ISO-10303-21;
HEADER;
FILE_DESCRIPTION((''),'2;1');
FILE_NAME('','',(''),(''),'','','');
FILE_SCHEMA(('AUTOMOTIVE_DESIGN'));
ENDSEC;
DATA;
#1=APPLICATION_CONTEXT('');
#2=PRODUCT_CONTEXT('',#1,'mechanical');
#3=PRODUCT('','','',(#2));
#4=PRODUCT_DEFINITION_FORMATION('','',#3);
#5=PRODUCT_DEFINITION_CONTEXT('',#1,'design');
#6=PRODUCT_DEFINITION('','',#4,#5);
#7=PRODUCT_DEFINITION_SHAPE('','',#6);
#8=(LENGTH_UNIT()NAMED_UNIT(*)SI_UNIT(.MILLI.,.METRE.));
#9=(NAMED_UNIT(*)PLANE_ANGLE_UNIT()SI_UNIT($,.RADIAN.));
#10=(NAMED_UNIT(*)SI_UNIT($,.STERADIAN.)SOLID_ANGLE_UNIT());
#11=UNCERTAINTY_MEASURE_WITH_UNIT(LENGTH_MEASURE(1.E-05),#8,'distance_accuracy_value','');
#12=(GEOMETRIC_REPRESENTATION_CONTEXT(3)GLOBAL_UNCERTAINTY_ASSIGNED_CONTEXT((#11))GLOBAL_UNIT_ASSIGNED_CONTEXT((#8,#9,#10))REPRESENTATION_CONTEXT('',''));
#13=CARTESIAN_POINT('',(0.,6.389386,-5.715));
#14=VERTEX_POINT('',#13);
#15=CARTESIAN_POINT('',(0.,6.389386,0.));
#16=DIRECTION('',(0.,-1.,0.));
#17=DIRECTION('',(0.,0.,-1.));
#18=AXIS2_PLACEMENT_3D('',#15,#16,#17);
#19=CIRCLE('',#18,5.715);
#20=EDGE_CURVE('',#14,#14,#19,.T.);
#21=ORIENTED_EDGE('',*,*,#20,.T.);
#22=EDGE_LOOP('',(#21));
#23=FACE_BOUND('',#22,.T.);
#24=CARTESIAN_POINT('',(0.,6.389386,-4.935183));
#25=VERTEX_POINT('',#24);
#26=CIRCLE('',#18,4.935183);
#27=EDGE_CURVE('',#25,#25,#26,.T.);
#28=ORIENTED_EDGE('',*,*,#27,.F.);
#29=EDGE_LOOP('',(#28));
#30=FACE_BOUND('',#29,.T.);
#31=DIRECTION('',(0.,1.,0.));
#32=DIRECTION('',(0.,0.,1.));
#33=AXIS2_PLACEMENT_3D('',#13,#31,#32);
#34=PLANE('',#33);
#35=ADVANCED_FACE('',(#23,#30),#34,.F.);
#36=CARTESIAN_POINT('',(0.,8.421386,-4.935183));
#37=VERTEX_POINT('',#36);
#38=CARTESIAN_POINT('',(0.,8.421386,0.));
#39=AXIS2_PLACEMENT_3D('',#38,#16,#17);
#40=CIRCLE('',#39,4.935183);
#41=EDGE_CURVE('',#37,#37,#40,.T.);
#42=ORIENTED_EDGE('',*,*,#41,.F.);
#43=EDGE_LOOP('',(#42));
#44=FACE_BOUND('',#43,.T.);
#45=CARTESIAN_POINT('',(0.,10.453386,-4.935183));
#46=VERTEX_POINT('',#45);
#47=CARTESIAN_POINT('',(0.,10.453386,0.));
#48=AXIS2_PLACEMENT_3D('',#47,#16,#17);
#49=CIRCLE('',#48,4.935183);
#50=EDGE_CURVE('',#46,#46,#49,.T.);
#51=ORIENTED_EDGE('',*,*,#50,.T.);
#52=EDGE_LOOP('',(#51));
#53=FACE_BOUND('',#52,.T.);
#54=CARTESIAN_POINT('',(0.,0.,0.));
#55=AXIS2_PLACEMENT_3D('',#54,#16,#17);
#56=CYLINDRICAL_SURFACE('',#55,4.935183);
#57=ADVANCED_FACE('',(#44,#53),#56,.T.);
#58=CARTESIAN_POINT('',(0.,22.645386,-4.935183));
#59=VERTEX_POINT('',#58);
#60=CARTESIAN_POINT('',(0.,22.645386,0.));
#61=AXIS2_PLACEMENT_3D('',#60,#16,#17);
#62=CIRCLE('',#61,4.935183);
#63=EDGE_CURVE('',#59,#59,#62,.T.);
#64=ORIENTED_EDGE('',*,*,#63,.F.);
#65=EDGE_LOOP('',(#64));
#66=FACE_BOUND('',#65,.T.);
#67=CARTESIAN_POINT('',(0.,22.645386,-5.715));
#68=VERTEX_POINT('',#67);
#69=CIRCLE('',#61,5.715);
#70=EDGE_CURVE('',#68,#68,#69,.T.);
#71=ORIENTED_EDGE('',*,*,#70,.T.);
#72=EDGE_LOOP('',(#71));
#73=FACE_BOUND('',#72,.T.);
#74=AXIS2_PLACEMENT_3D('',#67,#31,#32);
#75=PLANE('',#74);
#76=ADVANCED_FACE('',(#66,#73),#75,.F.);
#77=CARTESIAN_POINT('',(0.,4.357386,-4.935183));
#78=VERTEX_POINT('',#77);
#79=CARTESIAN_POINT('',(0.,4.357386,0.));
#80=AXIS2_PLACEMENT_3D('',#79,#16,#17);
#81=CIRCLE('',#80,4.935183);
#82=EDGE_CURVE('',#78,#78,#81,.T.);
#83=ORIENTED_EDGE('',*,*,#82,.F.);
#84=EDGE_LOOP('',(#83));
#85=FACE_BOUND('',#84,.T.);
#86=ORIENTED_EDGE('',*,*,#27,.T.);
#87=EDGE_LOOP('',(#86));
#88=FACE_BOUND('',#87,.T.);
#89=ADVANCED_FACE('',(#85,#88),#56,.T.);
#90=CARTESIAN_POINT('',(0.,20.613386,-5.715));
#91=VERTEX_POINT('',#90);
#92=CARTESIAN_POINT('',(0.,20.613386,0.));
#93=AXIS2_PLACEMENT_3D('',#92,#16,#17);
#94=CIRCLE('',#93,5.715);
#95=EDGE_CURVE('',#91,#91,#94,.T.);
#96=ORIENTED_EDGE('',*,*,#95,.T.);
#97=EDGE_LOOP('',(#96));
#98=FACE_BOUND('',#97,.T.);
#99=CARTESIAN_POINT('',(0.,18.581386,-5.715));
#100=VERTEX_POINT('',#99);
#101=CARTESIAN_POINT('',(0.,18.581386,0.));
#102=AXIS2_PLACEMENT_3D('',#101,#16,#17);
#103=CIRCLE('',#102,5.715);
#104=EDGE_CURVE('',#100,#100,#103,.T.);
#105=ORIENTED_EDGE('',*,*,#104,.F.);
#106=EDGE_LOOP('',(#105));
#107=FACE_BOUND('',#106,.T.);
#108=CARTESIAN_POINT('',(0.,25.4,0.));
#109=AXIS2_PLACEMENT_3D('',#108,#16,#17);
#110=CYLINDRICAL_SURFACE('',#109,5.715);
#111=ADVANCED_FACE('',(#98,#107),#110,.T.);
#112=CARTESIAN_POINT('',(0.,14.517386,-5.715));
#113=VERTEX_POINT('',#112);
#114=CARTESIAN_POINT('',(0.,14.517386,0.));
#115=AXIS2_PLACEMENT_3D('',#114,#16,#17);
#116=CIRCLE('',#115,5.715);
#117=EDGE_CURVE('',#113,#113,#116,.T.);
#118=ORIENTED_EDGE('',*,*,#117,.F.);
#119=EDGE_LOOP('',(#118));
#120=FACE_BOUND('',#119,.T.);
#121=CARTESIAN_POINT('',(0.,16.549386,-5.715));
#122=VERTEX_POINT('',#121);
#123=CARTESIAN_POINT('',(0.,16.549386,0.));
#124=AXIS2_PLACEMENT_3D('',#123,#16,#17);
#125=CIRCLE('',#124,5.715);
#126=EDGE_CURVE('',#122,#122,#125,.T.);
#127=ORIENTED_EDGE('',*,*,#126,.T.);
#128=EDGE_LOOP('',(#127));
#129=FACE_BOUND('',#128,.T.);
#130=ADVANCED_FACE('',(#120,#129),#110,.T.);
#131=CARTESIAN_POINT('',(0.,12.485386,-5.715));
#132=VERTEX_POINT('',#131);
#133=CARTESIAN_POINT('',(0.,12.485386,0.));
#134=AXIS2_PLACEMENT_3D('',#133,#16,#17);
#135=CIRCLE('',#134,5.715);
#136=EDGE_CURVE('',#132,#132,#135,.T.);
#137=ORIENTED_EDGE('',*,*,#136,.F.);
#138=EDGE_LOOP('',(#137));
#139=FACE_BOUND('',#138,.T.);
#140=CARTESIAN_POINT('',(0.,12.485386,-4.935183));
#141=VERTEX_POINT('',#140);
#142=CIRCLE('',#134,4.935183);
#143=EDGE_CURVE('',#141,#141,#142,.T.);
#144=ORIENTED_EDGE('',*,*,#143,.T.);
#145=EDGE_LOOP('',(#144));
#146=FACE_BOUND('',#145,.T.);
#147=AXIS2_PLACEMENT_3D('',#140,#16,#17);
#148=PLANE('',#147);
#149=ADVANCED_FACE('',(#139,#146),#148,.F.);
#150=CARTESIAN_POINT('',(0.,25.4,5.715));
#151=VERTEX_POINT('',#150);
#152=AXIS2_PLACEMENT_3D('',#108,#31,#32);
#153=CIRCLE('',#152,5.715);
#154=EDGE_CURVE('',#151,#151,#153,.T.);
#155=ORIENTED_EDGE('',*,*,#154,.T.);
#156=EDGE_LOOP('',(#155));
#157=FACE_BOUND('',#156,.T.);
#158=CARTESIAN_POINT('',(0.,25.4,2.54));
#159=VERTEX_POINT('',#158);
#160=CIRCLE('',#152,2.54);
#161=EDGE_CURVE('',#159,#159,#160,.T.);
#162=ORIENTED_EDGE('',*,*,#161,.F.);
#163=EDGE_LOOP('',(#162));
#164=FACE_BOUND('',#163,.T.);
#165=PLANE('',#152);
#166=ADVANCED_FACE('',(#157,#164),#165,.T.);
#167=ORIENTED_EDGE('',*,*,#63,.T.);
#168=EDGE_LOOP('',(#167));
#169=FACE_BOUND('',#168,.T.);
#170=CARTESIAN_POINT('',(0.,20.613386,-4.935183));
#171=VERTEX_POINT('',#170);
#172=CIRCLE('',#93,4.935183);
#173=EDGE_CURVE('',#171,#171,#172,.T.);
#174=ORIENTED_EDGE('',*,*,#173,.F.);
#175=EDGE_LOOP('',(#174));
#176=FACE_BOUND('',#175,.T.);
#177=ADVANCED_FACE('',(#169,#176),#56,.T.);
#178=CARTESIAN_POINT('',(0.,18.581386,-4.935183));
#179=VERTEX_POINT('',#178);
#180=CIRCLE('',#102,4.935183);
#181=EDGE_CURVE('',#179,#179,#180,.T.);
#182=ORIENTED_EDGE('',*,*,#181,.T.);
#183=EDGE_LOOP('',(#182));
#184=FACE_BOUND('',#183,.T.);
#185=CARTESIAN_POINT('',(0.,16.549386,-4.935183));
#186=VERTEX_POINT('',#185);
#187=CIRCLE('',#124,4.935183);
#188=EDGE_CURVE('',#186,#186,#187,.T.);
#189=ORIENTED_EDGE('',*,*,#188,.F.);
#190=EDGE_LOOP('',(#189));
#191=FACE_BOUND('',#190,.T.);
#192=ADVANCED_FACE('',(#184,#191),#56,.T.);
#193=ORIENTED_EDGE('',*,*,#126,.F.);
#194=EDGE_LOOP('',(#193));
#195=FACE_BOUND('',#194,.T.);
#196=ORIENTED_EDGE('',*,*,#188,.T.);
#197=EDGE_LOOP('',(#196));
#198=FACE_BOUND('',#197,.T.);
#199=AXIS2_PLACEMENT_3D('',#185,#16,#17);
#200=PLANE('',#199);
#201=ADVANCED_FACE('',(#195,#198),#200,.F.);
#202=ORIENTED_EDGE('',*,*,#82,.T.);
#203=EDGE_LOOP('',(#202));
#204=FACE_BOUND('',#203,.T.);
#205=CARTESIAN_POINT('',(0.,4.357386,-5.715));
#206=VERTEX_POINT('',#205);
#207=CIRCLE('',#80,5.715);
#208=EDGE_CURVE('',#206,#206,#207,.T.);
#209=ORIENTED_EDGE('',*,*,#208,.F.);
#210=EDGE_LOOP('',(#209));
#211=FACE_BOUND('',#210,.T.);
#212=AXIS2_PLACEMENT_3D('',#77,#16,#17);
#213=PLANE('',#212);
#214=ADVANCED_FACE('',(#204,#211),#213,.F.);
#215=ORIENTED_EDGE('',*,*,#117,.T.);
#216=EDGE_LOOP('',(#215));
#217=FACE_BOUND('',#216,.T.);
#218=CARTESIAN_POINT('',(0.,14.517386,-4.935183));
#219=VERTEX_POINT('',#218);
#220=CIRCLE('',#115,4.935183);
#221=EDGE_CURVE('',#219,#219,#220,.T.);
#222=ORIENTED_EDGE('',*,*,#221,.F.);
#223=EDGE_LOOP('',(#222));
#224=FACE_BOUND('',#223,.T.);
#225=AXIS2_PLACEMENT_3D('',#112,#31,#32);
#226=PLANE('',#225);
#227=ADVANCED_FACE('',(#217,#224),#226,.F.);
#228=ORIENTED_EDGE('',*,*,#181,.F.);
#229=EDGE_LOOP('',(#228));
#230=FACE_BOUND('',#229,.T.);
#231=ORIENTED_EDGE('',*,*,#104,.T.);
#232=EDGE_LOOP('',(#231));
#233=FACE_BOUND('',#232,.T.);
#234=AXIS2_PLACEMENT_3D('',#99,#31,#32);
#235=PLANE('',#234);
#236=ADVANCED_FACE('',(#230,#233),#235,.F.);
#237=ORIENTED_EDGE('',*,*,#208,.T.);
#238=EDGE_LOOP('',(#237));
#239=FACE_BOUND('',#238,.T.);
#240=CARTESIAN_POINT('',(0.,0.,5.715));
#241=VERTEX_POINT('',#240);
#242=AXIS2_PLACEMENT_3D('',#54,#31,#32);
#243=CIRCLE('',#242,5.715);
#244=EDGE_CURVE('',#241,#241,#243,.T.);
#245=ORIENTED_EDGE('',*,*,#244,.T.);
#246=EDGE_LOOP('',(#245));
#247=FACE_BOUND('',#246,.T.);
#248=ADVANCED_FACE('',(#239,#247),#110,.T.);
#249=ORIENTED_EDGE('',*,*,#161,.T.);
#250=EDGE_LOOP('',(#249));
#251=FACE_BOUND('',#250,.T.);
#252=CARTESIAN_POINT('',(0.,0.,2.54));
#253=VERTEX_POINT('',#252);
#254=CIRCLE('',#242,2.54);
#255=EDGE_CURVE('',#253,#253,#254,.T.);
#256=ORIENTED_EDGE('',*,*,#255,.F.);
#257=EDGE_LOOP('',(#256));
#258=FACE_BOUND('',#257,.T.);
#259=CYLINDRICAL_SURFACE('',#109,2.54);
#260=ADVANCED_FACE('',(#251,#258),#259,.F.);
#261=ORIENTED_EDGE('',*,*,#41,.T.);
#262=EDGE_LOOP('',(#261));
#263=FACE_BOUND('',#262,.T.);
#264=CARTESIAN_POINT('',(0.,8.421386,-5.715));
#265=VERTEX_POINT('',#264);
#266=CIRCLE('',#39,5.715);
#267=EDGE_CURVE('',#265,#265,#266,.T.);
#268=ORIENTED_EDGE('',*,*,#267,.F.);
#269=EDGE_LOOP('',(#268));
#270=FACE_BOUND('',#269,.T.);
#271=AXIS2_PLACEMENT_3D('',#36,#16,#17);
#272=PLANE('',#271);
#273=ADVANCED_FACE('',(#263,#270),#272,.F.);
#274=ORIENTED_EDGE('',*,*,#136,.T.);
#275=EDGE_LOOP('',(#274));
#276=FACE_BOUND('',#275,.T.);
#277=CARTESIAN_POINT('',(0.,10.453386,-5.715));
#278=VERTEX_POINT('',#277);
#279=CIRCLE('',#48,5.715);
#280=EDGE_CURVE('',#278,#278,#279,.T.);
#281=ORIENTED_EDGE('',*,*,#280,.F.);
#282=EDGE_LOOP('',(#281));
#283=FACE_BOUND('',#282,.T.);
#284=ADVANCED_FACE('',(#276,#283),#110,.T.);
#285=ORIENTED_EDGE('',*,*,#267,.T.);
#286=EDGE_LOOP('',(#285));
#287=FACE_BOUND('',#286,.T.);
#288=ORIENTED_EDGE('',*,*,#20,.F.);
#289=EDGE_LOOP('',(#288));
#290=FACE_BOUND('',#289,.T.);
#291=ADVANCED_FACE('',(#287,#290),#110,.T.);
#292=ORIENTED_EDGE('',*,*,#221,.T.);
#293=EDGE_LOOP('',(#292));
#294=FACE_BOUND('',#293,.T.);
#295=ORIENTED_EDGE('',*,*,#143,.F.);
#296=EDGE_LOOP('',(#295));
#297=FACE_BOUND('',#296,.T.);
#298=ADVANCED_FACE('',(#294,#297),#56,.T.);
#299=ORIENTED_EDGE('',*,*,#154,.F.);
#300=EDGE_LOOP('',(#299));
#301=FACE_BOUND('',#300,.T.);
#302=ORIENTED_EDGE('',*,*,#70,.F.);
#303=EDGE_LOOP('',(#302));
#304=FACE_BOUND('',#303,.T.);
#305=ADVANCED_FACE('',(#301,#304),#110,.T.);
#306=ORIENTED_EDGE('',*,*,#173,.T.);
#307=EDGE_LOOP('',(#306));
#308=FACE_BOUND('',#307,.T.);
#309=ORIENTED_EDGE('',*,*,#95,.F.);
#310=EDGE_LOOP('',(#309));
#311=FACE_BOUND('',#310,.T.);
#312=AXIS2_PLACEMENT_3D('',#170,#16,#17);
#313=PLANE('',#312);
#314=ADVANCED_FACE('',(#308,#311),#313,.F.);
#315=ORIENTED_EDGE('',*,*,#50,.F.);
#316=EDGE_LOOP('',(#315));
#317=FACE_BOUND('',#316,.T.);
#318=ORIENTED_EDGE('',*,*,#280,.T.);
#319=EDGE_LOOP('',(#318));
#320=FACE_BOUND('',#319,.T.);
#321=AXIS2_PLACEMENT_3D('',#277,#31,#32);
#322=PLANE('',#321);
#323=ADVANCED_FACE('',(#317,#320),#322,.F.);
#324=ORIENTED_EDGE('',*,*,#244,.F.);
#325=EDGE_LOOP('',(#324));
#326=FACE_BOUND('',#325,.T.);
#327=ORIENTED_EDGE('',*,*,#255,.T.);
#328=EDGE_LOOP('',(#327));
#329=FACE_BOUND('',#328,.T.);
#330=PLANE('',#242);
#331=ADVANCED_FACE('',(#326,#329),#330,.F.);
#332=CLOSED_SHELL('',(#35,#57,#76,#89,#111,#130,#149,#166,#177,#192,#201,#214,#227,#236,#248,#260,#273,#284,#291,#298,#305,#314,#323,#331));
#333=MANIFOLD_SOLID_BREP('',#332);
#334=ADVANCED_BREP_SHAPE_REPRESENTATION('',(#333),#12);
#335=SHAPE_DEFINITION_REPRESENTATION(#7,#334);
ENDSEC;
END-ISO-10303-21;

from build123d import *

# Parameters (mm, degrees)
SKETCH1_R           = 5.715
SKETCH1_R_2         = 2.54
BOSS_EXTRUDE1_DEPTH = 25.4
SKETCH3_W           = 0.779816736
SKETCH3_H           = 2.032


with BuildPart() as part:
    # Sketch1 → Boss-Extrude1 (new body)
    with BuildSketch(Plane(origin=(0, 0, 0), x_dir=(1, 0, 0), z_dir=(0, 1, 0))):
        with Locations(Location((0, 0, 0), (0, 0, 270))):
            Circle(SKETCH1_R)
        with Locations(Location((0, 0, 0), (0, 0, 270))):
            Circle(SKETCH1_R_2, mode=Mode.SUBTRACT)
    extrude(amount=BOSS_EXTRUDE1_DEPTH)

    # Sketch3 → Cut-Revolve2 (revolve, cut)
    with BuildSketch(Plane(origin=(0, 0, 0), x_dir=(0, 0, -1), z_dir=(1, 0, 0))):
        with Locations((5.325091632, 5.373385887)):
            Rectangle(SKETCH3_W, SKETCH3_H)
        with Locations((5.325091632, 9.437385887)):
            Rectangle(SKETCH3_W, SKETCH3_H)
        with Locations((5.325091632, 13.501385887)):
            Rectangle(SKETCH3_W, SKETCH3_H)
        with Locations((5.325091632, 17.565385887)):
            Rectangle(SKETCH3_W, SKETCH3_H)
        with Locations((5.325091632, 21.629385887)):
            Rectangle(SKETCH3_W, SKETCH3_H)
    revolve(axis=Axis((0, 0, 0), (0, 1, 0)), mode=Mode.SUBTRACT)


solid = part.part
